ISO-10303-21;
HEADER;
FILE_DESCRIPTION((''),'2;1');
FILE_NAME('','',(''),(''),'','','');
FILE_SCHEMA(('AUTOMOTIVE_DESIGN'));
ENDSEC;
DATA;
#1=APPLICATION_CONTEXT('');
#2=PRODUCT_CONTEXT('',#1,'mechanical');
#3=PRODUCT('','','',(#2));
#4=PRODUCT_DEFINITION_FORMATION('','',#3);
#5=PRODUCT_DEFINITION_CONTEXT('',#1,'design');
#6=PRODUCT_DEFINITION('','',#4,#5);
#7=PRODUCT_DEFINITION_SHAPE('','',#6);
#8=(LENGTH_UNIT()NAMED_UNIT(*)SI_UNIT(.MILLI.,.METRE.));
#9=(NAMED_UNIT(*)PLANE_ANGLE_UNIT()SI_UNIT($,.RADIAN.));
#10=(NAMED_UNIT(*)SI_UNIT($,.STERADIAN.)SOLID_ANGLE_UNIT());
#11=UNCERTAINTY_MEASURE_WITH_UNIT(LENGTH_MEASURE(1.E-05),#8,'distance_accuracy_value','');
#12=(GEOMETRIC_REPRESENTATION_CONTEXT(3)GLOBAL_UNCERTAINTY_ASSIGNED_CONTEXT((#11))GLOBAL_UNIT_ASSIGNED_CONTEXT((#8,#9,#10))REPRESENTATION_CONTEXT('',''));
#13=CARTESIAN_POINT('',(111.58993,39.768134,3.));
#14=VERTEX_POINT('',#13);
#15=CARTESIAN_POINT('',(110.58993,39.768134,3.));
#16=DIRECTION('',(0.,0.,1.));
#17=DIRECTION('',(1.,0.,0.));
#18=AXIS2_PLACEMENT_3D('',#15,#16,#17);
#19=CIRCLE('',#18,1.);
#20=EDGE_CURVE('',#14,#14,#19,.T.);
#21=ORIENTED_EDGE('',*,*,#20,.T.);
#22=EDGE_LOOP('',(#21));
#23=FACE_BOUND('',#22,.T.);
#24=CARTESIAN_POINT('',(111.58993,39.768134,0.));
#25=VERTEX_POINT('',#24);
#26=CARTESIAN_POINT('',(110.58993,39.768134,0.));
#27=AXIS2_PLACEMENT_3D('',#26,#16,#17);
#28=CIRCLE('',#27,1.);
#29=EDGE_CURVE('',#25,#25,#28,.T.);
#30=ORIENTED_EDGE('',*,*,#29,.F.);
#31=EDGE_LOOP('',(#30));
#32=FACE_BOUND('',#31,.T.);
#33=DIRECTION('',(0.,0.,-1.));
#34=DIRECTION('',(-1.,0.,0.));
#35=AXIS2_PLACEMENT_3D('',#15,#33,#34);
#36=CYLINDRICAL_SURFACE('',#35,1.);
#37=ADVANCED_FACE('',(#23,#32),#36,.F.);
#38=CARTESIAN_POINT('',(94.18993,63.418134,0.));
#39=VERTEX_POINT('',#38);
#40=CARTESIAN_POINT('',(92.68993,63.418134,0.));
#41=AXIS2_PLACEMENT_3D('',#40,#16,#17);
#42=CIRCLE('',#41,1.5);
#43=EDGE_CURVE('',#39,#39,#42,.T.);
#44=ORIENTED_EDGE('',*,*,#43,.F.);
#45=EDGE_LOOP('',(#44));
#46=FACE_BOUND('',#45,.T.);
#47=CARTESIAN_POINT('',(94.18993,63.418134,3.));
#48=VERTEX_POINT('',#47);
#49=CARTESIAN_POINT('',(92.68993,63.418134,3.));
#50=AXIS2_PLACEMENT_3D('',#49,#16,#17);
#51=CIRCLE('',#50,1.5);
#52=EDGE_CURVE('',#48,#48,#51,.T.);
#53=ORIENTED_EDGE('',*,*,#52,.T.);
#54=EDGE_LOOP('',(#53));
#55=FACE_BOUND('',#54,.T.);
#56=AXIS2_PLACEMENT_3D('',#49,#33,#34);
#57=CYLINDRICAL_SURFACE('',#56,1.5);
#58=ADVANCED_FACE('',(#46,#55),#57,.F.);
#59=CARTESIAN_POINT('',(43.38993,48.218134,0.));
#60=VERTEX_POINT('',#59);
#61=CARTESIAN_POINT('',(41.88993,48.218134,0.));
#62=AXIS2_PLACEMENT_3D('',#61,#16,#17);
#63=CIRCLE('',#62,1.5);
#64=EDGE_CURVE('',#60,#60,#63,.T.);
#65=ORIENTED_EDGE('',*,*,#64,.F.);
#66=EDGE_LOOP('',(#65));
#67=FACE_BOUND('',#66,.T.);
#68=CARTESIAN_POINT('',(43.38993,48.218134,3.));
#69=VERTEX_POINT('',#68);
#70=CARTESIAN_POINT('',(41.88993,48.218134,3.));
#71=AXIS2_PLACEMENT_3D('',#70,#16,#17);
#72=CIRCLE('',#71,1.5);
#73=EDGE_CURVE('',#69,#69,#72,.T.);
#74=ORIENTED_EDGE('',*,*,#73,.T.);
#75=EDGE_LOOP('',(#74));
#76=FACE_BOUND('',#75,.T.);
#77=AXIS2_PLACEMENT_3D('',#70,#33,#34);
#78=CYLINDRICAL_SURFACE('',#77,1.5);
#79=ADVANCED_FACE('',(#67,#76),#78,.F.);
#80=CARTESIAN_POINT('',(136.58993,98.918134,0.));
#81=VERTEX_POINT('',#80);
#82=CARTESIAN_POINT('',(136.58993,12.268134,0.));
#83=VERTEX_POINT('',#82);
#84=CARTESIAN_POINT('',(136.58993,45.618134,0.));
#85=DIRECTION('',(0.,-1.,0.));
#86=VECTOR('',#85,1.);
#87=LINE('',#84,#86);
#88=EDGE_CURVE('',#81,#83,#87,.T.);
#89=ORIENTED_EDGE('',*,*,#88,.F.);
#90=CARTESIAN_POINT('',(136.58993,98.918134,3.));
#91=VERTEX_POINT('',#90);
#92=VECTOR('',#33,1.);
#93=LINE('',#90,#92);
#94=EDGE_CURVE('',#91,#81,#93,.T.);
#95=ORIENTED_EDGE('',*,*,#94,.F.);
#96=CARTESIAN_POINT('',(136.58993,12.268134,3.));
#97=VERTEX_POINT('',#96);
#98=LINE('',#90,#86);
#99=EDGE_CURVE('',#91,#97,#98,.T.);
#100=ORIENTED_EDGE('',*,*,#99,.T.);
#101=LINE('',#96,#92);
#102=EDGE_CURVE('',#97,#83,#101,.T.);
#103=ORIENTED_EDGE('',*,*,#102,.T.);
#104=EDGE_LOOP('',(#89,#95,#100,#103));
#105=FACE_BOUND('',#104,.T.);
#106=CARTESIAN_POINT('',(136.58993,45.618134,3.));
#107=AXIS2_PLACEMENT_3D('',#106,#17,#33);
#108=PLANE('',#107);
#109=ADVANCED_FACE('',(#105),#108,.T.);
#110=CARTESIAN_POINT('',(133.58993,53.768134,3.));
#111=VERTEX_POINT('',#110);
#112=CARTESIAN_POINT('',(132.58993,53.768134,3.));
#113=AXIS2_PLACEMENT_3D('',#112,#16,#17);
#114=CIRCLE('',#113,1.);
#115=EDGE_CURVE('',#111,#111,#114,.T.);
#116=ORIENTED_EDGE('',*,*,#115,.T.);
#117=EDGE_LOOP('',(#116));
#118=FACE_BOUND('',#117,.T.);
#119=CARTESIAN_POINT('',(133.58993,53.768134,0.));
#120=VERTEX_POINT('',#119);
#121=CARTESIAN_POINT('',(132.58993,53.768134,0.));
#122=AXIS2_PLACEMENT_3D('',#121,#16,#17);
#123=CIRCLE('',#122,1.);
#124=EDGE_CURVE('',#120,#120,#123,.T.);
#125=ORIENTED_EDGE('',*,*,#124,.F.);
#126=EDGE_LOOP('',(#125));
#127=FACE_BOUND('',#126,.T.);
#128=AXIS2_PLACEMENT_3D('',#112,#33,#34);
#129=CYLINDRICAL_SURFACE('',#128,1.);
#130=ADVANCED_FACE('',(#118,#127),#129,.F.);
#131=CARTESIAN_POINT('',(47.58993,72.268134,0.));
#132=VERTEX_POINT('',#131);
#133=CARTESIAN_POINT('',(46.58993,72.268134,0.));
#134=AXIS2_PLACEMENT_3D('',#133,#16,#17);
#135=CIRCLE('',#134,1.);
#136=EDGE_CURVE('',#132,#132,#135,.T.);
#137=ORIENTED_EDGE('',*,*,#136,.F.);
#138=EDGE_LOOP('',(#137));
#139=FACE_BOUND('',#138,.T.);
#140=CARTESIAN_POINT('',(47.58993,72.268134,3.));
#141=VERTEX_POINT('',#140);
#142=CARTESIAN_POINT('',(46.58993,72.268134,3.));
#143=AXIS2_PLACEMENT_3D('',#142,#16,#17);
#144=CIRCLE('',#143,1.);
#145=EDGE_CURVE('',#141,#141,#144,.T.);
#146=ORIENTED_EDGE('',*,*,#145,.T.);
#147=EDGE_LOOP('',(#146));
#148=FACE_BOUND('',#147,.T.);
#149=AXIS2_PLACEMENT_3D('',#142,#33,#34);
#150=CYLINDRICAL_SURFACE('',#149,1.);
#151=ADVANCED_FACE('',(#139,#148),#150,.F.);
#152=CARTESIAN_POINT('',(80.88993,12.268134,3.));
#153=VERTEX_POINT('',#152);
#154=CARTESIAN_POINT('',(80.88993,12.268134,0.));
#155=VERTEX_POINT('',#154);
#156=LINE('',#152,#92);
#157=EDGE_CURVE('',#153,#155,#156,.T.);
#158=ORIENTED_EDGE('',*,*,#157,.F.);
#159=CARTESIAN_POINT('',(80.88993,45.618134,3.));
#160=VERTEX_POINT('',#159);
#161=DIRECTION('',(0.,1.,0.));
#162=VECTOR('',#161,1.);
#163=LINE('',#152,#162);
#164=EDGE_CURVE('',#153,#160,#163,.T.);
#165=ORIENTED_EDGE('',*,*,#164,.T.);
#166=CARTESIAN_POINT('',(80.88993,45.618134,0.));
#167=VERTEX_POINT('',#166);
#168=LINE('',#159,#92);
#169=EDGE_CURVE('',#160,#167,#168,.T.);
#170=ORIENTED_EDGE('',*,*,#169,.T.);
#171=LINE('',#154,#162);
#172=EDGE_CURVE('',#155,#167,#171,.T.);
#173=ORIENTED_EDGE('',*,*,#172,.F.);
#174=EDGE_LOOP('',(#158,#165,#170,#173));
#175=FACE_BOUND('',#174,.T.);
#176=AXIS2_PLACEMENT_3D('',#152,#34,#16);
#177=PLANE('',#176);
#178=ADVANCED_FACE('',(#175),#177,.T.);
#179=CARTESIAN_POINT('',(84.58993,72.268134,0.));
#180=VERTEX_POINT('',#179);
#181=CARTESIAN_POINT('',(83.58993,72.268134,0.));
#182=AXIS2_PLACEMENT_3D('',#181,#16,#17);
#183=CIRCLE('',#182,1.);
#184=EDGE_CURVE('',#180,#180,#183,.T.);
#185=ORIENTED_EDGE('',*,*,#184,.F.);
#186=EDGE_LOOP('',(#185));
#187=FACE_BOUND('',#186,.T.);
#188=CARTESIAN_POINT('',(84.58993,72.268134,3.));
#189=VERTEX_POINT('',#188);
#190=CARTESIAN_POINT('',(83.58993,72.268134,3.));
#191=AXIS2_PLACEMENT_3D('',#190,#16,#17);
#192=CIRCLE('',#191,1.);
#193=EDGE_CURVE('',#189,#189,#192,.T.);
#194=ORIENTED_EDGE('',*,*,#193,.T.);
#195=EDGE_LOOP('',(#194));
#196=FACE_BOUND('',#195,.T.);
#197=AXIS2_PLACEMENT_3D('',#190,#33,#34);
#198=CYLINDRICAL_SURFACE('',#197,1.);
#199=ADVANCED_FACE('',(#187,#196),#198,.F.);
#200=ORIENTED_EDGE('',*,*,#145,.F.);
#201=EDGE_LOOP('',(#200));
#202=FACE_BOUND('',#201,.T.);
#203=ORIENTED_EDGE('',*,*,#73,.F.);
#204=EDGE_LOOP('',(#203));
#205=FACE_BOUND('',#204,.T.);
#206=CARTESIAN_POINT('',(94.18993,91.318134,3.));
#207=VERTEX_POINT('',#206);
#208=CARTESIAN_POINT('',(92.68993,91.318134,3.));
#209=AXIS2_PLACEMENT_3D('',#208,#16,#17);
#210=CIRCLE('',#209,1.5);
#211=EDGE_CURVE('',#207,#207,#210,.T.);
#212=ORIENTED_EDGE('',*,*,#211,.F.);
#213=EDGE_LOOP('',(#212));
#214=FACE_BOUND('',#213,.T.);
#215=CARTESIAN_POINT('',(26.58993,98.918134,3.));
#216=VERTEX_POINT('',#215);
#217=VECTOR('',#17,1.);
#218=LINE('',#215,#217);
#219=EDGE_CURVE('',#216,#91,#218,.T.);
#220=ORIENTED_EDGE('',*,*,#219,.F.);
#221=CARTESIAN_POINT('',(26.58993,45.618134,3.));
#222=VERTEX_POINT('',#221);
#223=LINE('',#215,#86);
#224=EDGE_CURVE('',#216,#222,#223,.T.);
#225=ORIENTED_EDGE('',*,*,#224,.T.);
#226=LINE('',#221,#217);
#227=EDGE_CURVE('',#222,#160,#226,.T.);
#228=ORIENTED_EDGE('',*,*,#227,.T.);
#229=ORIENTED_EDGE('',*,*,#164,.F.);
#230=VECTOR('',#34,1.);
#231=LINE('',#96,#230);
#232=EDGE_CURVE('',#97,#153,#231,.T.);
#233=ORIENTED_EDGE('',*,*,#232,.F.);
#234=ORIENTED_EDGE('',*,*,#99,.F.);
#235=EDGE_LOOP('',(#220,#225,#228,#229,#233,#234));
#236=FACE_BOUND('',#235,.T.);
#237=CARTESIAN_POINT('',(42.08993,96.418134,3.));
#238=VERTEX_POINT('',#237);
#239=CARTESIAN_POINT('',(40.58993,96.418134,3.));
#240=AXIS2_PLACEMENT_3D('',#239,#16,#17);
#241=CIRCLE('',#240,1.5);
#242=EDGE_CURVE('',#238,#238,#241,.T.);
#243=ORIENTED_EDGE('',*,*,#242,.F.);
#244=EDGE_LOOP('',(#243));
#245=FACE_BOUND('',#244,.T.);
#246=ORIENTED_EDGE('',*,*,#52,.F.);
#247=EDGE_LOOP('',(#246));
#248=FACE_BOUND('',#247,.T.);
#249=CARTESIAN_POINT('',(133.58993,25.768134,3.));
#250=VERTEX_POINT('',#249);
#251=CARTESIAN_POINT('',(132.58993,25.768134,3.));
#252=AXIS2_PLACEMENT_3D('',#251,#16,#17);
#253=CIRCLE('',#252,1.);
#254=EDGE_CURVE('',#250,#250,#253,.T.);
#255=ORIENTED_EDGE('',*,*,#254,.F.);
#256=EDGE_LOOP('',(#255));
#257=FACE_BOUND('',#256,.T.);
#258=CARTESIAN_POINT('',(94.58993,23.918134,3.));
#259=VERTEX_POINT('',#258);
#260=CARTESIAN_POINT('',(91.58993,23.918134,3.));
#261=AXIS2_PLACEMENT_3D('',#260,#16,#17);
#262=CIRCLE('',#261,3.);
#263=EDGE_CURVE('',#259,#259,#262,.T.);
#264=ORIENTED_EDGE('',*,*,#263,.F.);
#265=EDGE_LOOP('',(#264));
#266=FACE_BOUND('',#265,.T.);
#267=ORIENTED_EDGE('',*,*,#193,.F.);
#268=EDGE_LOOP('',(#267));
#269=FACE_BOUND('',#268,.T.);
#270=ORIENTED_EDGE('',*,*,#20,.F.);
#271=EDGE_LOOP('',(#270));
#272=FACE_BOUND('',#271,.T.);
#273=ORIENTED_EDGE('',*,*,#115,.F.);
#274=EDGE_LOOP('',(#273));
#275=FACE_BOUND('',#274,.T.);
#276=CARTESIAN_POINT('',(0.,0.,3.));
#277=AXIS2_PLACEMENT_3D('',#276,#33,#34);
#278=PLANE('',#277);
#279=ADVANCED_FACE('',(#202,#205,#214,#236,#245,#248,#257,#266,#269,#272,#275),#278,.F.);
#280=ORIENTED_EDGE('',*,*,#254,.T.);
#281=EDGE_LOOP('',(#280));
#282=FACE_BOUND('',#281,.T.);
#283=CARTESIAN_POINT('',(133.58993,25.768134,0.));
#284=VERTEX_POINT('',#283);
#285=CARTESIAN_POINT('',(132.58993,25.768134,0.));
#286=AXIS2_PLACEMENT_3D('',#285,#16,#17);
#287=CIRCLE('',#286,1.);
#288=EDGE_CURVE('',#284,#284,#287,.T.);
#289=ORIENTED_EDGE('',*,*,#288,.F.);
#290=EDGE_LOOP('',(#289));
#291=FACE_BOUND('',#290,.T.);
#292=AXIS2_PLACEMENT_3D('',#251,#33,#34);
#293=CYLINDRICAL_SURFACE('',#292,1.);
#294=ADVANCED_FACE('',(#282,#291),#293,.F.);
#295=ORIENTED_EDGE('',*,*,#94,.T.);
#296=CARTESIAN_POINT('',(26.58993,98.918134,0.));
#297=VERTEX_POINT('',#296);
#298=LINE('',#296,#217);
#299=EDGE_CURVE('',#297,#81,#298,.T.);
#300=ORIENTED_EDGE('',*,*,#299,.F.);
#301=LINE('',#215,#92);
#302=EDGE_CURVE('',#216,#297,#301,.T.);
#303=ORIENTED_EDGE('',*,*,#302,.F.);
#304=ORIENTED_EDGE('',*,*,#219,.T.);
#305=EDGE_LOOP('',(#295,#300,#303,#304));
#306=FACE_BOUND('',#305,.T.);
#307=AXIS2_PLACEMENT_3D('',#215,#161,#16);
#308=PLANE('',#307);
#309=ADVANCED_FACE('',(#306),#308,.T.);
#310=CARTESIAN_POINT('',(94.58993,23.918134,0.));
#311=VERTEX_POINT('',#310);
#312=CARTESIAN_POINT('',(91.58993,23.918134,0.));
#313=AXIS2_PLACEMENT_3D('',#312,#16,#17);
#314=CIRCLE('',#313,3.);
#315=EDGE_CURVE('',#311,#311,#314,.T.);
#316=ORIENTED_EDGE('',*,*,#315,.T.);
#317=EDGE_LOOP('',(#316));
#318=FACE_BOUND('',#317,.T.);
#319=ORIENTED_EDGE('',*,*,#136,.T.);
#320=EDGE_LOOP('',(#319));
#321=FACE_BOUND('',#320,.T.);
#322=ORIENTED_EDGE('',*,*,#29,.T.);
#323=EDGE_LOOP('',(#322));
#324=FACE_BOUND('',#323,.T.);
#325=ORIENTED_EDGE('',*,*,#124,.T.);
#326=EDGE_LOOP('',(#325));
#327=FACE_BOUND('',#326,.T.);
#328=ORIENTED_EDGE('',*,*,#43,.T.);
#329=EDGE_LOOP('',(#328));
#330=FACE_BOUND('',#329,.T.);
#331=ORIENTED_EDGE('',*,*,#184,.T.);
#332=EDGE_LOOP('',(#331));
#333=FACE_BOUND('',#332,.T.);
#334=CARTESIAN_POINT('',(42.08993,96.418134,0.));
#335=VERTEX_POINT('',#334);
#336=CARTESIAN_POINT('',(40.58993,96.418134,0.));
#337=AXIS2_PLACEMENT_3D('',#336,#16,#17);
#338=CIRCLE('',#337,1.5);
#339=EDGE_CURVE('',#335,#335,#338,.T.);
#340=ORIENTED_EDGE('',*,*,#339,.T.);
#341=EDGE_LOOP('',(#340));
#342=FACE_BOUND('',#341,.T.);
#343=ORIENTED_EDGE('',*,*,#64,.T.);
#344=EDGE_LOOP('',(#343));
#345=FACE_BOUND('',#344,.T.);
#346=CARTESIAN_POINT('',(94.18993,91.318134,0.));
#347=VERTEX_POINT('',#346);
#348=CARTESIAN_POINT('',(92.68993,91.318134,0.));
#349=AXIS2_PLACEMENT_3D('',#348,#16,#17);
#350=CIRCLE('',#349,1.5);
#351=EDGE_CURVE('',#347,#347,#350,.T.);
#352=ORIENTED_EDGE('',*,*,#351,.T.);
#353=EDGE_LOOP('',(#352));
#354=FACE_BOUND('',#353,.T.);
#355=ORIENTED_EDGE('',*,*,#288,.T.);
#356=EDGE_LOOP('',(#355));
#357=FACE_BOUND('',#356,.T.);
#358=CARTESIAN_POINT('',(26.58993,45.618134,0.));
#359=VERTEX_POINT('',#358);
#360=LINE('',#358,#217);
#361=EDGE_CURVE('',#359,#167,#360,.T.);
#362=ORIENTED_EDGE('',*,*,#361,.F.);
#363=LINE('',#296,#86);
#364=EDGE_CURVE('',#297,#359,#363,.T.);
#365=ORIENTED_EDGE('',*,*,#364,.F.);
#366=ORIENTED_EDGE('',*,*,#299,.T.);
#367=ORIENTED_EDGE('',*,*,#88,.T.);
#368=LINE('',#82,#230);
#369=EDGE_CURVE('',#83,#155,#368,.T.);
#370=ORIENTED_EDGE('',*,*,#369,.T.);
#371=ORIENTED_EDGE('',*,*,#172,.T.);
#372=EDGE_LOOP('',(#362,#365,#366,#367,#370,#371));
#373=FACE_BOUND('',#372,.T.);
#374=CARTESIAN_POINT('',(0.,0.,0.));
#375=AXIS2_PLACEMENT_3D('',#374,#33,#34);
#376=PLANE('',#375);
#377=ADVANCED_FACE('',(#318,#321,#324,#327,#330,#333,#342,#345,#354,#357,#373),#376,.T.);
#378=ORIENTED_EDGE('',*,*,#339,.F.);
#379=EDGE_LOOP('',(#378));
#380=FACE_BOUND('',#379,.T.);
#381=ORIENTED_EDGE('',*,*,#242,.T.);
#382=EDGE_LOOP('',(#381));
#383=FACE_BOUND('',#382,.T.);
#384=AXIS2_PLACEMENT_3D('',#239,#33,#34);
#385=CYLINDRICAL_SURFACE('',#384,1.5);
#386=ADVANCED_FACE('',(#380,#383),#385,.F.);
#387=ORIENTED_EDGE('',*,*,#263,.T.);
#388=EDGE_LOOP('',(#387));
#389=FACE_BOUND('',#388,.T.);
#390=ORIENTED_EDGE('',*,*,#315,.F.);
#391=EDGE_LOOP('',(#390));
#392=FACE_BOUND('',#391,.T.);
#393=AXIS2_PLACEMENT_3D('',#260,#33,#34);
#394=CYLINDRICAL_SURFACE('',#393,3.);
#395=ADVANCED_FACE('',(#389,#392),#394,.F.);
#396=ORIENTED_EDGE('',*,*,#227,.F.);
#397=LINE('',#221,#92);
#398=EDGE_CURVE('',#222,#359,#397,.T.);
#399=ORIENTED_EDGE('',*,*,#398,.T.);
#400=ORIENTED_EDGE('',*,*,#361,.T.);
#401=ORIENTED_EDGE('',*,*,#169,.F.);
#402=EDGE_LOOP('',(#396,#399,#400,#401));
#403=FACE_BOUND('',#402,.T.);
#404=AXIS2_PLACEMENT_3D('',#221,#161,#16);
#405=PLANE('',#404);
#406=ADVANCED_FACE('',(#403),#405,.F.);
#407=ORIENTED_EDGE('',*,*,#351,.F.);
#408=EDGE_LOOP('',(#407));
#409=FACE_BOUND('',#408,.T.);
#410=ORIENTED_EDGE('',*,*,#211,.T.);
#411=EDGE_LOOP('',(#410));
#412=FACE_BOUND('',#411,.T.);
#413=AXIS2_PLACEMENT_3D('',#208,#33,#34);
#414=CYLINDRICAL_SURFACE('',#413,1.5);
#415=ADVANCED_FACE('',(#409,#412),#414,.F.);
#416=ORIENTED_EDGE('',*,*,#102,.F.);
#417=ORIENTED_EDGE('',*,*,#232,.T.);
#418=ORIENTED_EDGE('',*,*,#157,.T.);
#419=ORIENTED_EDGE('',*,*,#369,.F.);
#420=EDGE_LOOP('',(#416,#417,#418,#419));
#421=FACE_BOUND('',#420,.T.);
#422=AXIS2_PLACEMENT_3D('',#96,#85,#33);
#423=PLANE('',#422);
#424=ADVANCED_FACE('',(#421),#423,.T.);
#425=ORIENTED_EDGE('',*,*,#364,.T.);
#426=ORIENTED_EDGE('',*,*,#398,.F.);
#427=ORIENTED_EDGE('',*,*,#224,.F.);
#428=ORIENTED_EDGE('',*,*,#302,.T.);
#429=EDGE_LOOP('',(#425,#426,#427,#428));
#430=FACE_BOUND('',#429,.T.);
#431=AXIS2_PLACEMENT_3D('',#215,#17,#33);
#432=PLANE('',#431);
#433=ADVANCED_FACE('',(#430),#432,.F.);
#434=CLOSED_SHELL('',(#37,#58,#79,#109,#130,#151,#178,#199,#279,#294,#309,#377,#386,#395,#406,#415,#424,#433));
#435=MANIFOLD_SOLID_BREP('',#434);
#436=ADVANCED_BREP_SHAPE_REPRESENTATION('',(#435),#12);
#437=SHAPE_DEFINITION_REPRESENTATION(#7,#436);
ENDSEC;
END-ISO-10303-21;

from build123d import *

# Parameters (mm, degrees)
MODEL_R             = 1.5
MODEL_R_2           = 1
MODEL_R_3           = 3
BOSS_EXTRUDE1_DEPTH = 3


with BuildPart() as part:
    # Model → Boss-Extrude1 (new body)
    with BuildSketch(Plane.XY):
        Polygon((26.589929576, 98.91813413), (26.589929576, 45.61813413), (80.889929576, 45.61813413), (80.889929576, 12.26813413), (136.589929576, 12.26813413), (136.589929576, 45.61813413), (136.589929576, 98.91813413), align=None)
        with Locations((40.589929576, 96.41813413)):
            Circle(MODEL_R, mode=Mode.SUBTRACT)
        with Locations((92.689929576, 63.41813413)):
            Circle(MODEL_R, mode=Mode.SUBTRACT)
        with Locations((41.889929576, 48.21813413)):
            Circle(MODEL_R, mode=Mode.SUBTRACT)
        with Locations((92.689929576, 91.31813413)):
            Circle(MODEL_R, mode=Mode.SUBTRACT)
        with Locations((110.589929576, 39.76813413)):
            Circle(MODEL_R_2, mode=Mode.SUBTRACT)
        with Locations((46.589929576, 72.26813413)):
            Circle(MODEL_R_2, mode=Mode.SUBTRACT)
        with Locations((83.589929576, 72.26813413)):
            Circle(MODEL_R_2, mode=Mode.SUBTRACT)
        with Locations((132.589929576, 25.76813413)):
            Circle(MODEL_R_2, mode=Mode.SUBTRACT)
        with Locations((91.589929576, 23.91813413)):
            Circle(MODEL_R_3, mode=Mode.SUBTRACT)
        with Locations((132.589929576, 53.76813413)):
            Circle(MODEL_R_2, mode=Mode.SUBTRACT)
    extrude(amount=BOSS_EXTRUDE1_DEPTH)


solid = part.part
